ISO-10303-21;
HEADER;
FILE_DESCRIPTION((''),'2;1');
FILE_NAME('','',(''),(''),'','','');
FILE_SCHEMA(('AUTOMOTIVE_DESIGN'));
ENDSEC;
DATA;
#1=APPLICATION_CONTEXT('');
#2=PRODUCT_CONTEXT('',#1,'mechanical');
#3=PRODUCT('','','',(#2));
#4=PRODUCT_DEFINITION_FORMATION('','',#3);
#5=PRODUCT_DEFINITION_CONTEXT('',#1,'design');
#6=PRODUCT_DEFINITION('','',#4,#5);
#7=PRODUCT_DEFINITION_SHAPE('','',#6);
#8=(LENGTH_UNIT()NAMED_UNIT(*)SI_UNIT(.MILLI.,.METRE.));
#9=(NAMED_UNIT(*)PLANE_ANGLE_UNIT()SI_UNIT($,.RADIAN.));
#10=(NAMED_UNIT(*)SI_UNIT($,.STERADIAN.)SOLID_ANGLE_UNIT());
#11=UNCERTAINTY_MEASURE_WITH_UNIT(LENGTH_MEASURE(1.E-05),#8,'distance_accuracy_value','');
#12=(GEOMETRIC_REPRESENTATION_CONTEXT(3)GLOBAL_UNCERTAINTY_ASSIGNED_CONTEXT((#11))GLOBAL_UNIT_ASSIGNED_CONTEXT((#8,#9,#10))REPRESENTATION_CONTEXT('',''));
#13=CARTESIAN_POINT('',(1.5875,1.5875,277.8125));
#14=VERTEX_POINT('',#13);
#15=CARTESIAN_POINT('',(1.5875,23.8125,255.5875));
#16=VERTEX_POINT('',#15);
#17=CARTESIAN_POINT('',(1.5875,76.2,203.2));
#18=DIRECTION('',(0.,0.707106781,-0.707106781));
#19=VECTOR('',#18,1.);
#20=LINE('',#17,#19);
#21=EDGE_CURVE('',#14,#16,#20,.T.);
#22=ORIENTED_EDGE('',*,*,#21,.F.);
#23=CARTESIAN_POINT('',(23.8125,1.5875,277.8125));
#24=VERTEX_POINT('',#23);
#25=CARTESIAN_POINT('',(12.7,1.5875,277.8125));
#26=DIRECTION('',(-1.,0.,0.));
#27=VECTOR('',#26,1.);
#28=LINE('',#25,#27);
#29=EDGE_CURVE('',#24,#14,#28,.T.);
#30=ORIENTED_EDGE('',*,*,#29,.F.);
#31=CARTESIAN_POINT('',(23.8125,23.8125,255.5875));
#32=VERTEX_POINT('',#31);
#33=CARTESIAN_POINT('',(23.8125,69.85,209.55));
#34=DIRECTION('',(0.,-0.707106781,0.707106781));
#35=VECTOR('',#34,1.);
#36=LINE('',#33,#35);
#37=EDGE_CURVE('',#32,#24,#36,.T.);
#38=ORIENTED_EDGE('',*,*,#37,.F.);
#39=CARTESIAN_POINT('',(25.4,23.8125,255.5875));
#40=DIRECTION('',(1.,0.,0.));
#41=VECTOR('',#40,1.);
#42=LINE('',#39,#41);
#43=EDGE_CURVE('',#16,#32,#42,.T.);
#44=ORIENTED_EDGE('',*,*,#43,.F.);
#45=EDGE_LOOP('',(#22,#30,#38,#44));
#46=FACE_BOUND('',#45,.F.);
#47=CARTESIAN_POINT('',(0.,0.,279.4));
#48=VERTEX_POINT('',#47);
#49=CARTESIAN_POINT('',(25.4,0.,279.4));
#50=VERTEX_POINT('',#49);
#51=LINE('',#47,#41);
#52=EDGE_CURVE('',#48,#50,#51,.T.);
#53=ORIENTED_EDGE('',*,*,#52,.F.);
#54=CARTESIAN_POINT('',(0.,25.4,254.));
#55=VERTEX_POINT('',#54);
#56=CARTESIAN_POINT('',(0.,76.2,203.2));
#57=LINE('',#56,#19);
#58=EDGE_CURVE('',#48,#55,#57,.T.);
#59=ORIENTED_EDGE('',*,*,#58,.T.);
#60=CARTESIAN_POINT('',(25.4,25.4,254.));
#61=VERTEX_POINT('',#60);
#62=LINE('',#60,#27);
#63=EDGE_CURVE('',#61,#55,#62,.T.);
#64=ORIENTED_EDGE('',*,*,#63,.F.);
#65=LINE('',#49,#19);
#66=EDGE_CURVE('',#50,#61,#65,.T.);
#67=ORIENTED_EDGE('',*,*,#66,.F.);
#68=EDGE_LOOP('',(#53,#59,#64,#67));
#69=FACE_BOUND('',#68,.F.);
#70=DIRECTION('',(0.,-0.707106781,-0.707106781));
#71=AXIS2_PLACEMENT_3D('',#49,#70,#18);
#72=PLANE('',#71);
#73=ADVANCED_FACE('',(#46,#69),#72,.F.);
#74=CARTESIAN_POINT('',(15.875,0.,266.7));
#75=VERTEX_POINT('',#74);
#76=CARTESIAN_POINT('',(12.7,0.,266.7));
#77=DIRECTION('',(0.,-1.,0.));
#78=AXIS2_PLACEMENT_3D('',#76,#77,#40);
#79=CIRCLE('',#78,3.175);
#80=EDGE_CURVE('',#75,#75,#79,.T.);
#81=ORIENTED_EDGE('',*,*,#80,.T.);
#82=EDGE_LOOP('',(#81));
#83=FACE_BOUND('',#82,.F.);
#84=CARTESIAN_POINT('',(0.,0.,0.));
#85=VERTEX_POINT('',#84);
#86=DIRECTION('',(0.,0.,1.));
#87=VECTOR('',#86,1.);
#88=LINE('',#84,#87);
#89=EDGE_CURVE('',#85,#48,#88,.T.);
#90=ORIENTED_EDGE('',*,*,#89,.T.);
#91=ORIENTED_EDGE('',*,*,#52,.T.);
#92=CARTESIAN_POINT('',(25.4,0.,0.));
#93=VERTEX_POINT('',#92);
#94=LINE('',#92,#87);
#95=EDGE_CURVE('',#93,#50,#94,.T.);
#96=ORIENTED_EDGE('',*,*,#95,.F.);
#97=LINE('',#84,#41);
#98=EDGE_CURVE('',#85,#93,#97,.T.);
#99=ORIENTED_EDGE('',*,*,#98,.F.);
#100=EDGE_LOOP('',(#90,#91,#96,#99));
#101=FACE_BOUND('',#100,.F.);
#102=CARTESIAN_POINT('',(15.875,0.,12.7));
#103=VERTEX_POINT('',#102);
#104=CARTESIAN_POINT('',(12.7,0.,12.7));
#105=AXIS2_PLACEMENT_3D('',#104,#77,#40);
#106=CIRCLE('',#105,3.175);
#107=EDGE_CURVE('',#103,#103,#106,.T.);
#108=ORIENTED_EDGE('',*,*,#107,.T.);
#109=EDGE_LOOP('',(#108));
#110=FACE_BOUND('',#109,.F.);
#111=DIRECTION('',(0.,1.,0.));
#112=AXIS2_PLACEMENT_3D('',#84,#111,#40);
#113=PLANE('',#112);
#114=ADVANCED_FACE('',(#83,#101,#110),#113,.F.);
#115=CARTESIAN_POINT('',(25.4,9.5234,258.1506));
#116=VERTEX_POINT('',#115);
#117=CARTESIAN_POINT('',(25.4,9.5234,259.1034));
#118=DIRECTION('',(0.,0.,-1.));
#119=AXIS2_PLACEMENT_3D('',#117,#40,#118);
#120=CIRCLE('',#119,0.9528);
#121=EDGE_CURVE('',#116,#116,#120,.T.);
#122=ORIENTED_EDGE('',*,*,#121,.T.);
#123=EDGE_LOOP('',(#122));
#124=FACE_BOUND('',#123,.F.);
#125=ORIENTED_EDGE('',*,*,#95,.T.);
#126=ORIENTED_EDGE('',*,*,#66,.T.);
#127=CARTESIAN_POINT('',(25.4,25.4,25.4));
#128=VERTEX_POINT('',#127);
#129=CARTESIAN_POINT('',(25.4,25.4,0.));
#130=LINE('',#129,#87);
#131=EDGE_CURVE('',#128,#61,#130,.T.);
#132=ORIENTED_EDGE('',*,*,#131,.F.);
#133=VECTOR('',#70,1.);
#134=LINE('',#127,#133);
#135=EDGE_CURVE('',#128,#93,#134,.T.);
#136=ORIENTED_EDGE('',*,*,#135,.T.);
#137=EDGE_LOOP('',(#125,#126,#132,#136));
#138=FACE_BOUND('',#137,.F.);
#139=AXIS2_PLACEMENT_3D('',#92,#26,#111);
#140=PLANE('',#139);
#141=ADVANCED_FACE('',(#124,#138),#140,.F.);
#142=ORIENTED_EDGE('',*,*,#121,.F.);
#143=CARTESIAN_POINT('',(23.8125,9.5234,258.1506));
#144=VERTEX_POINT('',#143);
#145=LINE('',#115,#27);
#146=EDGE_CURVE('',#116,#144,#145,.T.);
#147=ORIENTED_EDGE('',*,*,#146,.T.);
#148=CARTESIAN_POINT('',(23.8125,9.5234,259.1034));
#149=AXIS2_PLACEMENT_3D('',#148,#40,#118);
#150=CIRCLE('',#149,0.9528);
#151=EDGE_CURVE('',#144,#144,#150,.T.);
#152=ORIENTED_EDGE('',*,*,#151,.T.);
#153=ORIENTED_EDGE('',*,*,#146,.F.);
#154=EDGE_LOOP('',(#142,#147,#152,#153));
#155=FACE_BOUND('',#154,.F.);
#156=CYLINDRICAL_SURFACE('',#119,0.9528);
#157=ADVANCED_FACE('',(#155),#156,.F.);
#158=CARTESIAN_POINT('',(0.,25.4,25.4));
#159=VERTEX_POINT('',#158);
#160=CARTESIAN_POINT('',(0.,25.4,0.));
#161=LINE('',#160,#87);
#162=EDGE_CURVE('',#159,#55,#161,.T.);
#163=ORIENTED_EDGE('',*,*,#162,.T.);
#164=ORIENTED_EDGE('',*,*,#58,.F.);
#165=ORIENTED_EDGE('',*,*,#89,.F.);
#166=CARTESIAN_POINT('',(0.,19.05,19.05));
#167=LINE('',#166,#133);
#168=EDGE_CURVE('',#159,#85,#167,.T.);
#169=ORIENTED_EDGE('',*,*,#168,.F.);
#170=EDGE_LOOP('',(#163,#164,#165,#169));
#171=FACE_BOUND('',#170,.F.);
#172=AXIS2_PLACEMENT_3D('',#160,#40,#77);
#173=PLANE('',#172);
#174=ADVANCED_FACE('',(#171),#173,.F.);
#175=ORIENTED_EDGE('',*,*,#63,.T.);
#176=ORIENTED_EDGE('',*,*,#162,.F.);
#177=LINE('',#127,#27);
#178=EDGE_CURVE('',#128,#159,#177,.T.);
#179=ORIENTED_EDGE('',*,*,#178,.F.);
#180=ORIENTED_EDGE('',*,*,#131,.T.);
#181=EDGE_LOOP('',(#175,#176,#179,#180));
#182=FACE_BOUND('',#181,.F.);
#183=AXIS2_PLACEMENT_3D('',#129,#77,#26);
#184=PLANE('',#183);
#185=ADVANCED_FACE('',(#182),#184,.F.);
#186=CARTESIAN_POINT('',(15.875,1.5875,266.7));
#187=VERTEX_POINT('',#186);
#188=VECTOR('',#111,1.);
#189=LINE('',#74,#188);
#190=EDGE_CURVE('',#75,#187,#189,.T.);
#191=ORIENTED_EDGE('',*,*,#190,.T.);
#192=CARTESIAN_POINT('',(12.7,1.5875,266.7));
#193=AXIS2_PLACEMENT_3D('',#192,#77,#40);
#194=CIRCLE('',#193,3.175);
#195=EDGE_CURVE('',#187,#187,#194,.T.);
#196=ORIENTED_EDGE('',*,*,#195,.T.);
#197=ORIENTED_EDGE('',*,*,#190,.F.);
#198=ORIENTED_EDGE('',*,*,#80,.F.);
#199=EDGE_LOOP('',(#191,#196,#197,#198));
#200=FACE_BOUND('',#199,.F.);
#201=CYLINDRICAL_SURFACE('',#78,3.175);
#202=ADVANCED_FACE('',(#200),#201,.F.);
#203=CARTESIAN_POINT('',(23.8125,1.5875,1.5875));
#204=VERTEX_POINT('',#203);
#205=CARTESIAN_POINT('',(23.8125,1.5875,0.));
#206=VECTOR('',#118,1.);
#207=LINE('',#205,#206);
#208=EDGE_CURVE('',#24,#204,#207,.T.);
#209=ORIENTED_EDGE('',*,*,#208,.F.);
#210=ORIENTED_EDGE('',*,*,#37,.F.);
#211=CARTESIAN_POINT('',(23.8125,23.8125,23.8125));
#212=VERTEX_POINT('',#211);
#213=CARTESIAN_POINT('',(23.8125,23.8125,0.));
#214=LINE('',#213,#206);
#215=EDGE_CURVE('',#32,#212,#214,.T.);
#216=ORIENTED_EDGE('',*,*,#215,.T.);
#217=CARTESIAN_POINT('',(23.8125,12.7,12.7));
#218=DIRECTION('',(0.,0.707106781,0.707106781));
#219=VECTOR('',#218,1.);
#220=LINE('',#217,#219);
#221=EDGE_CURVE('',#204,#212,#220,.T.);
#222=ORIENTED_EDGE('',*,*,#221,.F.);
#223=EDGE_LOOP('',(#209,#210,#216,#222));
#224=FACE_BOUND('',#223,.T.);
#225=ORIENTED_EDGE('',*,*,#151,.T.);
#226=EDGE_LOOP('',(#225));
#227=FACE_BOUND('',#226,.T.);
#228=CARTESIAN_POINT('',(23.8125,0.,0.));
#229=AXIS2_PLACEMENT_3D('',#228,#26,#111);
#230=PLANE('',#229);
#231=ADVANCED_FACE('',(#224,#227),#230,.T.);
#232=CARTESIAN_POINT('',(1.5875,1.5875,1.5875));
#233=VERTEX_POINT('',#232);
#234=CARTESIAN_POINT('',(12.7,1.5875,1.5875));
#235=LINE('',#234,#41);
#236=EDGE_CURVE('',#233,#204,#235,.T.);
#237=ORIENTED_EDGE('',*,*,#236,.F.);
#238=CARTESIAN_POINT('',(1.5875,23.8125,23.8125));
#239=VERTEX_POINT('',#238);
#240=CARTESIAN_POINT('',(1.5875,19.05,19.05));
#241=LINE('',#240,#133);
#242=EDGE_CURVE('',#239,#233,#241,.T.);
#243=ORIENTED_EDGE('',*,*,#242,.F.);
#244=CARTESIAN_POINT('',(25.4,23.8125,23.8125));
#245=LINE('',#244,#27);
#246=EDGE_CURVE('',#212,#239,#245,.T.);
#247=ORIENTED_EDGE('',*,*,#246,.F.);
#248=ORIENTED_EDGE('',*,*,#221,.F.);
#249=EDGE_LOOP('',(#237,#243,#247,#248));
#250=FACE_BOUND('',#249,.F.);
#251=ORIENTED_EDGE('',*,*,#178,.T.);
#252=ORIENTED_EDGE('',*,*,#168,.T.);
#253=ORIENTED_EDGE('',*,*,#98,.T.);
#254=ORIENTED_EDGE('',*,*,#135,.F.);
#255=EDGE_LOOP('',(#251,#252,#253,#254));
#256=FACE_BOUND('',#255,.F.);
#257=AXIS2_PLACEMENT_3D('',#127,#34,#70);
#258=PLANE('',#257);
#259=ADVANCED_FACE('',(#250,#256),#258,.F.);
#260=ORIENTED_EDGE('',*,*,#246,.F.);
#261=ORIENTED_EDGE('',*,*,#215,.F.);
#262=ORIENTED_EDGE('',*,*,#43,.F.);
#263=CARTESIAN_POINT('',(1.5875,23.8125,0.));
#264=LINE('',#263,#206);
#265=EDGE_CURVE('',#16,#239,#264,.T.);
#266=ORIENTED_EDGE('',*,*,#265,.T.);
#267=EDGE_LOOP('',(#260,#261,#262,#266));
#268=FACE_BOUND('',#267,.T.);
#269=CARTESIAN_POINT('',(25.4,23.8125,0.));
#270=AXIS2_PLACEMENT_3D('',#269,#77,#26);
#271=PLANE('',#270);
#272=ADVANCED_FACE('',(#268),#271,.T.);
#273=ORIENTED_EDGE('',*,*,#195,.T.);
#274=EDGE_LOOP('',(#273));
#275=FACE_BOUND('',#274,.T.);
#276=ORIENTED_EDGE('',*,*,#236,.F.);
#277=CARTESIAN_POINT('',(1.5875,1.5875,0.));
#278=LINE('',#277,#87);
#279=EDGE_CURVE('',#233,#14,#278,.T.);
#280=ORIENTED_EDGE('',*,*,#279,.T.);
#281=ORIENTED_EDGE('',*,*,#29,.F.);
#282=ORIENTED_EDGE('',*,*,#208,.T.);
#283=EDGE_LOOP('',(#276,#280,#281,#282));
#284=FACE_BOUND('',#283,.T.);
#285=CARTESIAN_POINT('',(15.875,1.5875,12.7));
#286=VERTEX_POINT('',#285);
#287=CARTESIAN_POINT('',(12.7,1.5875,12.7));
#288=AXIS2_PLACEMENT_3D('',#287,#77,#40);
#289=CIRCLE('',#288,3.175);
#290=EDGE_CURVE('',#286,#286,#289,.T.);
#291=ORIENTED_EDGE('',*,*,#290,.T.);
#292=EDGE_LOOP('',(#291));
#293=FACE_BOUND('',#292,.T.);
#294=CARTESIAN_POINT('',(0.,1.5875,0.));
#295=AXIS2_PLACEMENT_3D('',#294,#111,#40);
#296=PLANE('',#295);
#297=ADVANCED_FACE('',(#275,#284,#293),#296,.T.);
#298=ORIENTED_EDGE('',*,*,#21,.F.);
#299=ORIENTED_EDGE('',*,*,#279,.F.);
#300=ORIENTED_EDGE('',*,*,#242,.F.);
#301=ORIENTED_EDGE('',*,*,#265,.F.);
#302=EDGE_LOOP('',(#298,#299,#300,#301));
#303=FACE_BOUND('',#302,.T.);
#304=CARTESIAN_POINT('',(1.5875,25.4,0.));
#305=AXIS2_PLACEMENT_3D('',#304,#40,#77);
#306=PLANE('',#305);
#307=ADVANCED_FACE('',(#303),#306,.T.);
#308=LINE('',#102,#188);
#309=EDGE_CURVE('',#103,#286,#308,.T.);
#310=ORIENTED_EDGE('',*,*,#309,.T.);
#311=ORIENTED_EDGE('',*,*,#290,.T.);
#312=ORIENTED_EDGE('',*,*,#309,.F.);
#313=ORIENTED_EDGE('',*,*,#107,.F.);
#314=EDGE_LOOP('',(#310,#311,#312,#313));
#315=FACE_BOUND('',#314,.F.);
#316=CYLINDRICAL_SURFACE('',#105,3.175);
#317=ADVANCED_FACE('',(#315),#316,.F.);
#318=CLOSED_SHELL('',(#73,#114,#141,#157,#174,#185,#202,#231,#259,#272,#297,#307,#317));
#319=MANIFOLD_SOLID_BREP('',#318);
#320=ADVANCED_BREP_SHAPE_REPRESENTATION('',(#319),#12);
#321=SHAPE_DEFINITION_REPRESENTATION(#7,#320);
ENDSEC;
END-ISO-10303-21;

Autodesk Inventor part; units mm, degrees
ref_plane "YZ Plane" through (0, 0, 0) normal (1, 0, 0) x (0, 1, 0)
ref_plane "XZ Plane" through (0, 0, 0) normal (0, 1, 0) x (-1, 0, 0)
ref_plane "XY Plane" through (0, 0, 0) normal (0, 0, 1) x (1, 0, 0)
sketch "Sketch1" plane through (0, 0, 0) normal (0, 0, 1) x (1, 0, 0)
  line L0 (0, 0) -> (25.4, 0)
  line L1 (25.4, 0) -> (25.4, 25.4)
  line L2 (25.4, 25.4) -> (0, 25.4)
  line L3 (0, 25.4) -> (0, 0)
  dimension "d0" = 25.4
  dimension "d1" = 25.4
extrude "Extrusion1" add sketch "Sketch1" along normal blind 279.4
shell "Shell1" thickness 1.5875 removed faces 2 at (8.4667, 16.9333, 0) at (8.4667, 16.9333, 279.4)
sketch "Sketch2" plane through (25.4, 0, 0) normal (1, 0, 0) x (0, 0, -1)
  line L0 (-279.4, 25.4) -> (-279.4, 0) projected
  line L1 (0, 0) -> (0, 25.4) projected
  line L2 (0, 25.4) -> (-279.4, 25.4) projected
  line L3 (-279.4, 0) -> (-279.4, 25.4)
  line L4 (-254, 25.4) -> (-279.4, 25.4)
  line L5 (-279.4, 0) -> (-254, 25.4)
  line L6 (0, 25.4) -> (0, 0)
  line L7 (-25.4, 25.4) -> (0, 0)
  line L8 (-25.4, 25.4) -> (0, 25.4)
  dimension "d5" = 25.4
  dimension "d6" = 25.4
extrude "Extrusion2" cut sketch "Sketch2" against normal through all
sketch "Sketch3" plane through (0, 0, 279.4) normal (0, -1, 0) x (1, 0, 0)
  line L0 (25.4, 0) -> (0, 0) projected
  line L1 (0, -279.4) -> (25.4, -279.4) projected
  line L2 (25.4, -279.4) -> (25.4, 0) projected
  circle A0 centre (12.7, -12.7) radius 3.175
  circle A1 centre (12.7, -266.7) radius 3.175
  dimension "d9" = 6.35
  dimension "d10" = 12.7
  dimension "d11" = 12.7
  dimension "d12" = 12.7
  dimension "d13" = 12.7
extrude "Extrusion3" cut sketch "Sketch3" against normal through all
sketch "Sketch4" plane through (25.4, 0, 279.4) normal (1, 0, 0) x (0, 0, -1)
  circle A0 centre (20.2966, 9.5234) radius 0.9528
extrude "Extrusion4" cut sketch "Sketch4" against normal up to next
properties part number "Frame_LowerCrossSupport" material "Aluminum-6061"
